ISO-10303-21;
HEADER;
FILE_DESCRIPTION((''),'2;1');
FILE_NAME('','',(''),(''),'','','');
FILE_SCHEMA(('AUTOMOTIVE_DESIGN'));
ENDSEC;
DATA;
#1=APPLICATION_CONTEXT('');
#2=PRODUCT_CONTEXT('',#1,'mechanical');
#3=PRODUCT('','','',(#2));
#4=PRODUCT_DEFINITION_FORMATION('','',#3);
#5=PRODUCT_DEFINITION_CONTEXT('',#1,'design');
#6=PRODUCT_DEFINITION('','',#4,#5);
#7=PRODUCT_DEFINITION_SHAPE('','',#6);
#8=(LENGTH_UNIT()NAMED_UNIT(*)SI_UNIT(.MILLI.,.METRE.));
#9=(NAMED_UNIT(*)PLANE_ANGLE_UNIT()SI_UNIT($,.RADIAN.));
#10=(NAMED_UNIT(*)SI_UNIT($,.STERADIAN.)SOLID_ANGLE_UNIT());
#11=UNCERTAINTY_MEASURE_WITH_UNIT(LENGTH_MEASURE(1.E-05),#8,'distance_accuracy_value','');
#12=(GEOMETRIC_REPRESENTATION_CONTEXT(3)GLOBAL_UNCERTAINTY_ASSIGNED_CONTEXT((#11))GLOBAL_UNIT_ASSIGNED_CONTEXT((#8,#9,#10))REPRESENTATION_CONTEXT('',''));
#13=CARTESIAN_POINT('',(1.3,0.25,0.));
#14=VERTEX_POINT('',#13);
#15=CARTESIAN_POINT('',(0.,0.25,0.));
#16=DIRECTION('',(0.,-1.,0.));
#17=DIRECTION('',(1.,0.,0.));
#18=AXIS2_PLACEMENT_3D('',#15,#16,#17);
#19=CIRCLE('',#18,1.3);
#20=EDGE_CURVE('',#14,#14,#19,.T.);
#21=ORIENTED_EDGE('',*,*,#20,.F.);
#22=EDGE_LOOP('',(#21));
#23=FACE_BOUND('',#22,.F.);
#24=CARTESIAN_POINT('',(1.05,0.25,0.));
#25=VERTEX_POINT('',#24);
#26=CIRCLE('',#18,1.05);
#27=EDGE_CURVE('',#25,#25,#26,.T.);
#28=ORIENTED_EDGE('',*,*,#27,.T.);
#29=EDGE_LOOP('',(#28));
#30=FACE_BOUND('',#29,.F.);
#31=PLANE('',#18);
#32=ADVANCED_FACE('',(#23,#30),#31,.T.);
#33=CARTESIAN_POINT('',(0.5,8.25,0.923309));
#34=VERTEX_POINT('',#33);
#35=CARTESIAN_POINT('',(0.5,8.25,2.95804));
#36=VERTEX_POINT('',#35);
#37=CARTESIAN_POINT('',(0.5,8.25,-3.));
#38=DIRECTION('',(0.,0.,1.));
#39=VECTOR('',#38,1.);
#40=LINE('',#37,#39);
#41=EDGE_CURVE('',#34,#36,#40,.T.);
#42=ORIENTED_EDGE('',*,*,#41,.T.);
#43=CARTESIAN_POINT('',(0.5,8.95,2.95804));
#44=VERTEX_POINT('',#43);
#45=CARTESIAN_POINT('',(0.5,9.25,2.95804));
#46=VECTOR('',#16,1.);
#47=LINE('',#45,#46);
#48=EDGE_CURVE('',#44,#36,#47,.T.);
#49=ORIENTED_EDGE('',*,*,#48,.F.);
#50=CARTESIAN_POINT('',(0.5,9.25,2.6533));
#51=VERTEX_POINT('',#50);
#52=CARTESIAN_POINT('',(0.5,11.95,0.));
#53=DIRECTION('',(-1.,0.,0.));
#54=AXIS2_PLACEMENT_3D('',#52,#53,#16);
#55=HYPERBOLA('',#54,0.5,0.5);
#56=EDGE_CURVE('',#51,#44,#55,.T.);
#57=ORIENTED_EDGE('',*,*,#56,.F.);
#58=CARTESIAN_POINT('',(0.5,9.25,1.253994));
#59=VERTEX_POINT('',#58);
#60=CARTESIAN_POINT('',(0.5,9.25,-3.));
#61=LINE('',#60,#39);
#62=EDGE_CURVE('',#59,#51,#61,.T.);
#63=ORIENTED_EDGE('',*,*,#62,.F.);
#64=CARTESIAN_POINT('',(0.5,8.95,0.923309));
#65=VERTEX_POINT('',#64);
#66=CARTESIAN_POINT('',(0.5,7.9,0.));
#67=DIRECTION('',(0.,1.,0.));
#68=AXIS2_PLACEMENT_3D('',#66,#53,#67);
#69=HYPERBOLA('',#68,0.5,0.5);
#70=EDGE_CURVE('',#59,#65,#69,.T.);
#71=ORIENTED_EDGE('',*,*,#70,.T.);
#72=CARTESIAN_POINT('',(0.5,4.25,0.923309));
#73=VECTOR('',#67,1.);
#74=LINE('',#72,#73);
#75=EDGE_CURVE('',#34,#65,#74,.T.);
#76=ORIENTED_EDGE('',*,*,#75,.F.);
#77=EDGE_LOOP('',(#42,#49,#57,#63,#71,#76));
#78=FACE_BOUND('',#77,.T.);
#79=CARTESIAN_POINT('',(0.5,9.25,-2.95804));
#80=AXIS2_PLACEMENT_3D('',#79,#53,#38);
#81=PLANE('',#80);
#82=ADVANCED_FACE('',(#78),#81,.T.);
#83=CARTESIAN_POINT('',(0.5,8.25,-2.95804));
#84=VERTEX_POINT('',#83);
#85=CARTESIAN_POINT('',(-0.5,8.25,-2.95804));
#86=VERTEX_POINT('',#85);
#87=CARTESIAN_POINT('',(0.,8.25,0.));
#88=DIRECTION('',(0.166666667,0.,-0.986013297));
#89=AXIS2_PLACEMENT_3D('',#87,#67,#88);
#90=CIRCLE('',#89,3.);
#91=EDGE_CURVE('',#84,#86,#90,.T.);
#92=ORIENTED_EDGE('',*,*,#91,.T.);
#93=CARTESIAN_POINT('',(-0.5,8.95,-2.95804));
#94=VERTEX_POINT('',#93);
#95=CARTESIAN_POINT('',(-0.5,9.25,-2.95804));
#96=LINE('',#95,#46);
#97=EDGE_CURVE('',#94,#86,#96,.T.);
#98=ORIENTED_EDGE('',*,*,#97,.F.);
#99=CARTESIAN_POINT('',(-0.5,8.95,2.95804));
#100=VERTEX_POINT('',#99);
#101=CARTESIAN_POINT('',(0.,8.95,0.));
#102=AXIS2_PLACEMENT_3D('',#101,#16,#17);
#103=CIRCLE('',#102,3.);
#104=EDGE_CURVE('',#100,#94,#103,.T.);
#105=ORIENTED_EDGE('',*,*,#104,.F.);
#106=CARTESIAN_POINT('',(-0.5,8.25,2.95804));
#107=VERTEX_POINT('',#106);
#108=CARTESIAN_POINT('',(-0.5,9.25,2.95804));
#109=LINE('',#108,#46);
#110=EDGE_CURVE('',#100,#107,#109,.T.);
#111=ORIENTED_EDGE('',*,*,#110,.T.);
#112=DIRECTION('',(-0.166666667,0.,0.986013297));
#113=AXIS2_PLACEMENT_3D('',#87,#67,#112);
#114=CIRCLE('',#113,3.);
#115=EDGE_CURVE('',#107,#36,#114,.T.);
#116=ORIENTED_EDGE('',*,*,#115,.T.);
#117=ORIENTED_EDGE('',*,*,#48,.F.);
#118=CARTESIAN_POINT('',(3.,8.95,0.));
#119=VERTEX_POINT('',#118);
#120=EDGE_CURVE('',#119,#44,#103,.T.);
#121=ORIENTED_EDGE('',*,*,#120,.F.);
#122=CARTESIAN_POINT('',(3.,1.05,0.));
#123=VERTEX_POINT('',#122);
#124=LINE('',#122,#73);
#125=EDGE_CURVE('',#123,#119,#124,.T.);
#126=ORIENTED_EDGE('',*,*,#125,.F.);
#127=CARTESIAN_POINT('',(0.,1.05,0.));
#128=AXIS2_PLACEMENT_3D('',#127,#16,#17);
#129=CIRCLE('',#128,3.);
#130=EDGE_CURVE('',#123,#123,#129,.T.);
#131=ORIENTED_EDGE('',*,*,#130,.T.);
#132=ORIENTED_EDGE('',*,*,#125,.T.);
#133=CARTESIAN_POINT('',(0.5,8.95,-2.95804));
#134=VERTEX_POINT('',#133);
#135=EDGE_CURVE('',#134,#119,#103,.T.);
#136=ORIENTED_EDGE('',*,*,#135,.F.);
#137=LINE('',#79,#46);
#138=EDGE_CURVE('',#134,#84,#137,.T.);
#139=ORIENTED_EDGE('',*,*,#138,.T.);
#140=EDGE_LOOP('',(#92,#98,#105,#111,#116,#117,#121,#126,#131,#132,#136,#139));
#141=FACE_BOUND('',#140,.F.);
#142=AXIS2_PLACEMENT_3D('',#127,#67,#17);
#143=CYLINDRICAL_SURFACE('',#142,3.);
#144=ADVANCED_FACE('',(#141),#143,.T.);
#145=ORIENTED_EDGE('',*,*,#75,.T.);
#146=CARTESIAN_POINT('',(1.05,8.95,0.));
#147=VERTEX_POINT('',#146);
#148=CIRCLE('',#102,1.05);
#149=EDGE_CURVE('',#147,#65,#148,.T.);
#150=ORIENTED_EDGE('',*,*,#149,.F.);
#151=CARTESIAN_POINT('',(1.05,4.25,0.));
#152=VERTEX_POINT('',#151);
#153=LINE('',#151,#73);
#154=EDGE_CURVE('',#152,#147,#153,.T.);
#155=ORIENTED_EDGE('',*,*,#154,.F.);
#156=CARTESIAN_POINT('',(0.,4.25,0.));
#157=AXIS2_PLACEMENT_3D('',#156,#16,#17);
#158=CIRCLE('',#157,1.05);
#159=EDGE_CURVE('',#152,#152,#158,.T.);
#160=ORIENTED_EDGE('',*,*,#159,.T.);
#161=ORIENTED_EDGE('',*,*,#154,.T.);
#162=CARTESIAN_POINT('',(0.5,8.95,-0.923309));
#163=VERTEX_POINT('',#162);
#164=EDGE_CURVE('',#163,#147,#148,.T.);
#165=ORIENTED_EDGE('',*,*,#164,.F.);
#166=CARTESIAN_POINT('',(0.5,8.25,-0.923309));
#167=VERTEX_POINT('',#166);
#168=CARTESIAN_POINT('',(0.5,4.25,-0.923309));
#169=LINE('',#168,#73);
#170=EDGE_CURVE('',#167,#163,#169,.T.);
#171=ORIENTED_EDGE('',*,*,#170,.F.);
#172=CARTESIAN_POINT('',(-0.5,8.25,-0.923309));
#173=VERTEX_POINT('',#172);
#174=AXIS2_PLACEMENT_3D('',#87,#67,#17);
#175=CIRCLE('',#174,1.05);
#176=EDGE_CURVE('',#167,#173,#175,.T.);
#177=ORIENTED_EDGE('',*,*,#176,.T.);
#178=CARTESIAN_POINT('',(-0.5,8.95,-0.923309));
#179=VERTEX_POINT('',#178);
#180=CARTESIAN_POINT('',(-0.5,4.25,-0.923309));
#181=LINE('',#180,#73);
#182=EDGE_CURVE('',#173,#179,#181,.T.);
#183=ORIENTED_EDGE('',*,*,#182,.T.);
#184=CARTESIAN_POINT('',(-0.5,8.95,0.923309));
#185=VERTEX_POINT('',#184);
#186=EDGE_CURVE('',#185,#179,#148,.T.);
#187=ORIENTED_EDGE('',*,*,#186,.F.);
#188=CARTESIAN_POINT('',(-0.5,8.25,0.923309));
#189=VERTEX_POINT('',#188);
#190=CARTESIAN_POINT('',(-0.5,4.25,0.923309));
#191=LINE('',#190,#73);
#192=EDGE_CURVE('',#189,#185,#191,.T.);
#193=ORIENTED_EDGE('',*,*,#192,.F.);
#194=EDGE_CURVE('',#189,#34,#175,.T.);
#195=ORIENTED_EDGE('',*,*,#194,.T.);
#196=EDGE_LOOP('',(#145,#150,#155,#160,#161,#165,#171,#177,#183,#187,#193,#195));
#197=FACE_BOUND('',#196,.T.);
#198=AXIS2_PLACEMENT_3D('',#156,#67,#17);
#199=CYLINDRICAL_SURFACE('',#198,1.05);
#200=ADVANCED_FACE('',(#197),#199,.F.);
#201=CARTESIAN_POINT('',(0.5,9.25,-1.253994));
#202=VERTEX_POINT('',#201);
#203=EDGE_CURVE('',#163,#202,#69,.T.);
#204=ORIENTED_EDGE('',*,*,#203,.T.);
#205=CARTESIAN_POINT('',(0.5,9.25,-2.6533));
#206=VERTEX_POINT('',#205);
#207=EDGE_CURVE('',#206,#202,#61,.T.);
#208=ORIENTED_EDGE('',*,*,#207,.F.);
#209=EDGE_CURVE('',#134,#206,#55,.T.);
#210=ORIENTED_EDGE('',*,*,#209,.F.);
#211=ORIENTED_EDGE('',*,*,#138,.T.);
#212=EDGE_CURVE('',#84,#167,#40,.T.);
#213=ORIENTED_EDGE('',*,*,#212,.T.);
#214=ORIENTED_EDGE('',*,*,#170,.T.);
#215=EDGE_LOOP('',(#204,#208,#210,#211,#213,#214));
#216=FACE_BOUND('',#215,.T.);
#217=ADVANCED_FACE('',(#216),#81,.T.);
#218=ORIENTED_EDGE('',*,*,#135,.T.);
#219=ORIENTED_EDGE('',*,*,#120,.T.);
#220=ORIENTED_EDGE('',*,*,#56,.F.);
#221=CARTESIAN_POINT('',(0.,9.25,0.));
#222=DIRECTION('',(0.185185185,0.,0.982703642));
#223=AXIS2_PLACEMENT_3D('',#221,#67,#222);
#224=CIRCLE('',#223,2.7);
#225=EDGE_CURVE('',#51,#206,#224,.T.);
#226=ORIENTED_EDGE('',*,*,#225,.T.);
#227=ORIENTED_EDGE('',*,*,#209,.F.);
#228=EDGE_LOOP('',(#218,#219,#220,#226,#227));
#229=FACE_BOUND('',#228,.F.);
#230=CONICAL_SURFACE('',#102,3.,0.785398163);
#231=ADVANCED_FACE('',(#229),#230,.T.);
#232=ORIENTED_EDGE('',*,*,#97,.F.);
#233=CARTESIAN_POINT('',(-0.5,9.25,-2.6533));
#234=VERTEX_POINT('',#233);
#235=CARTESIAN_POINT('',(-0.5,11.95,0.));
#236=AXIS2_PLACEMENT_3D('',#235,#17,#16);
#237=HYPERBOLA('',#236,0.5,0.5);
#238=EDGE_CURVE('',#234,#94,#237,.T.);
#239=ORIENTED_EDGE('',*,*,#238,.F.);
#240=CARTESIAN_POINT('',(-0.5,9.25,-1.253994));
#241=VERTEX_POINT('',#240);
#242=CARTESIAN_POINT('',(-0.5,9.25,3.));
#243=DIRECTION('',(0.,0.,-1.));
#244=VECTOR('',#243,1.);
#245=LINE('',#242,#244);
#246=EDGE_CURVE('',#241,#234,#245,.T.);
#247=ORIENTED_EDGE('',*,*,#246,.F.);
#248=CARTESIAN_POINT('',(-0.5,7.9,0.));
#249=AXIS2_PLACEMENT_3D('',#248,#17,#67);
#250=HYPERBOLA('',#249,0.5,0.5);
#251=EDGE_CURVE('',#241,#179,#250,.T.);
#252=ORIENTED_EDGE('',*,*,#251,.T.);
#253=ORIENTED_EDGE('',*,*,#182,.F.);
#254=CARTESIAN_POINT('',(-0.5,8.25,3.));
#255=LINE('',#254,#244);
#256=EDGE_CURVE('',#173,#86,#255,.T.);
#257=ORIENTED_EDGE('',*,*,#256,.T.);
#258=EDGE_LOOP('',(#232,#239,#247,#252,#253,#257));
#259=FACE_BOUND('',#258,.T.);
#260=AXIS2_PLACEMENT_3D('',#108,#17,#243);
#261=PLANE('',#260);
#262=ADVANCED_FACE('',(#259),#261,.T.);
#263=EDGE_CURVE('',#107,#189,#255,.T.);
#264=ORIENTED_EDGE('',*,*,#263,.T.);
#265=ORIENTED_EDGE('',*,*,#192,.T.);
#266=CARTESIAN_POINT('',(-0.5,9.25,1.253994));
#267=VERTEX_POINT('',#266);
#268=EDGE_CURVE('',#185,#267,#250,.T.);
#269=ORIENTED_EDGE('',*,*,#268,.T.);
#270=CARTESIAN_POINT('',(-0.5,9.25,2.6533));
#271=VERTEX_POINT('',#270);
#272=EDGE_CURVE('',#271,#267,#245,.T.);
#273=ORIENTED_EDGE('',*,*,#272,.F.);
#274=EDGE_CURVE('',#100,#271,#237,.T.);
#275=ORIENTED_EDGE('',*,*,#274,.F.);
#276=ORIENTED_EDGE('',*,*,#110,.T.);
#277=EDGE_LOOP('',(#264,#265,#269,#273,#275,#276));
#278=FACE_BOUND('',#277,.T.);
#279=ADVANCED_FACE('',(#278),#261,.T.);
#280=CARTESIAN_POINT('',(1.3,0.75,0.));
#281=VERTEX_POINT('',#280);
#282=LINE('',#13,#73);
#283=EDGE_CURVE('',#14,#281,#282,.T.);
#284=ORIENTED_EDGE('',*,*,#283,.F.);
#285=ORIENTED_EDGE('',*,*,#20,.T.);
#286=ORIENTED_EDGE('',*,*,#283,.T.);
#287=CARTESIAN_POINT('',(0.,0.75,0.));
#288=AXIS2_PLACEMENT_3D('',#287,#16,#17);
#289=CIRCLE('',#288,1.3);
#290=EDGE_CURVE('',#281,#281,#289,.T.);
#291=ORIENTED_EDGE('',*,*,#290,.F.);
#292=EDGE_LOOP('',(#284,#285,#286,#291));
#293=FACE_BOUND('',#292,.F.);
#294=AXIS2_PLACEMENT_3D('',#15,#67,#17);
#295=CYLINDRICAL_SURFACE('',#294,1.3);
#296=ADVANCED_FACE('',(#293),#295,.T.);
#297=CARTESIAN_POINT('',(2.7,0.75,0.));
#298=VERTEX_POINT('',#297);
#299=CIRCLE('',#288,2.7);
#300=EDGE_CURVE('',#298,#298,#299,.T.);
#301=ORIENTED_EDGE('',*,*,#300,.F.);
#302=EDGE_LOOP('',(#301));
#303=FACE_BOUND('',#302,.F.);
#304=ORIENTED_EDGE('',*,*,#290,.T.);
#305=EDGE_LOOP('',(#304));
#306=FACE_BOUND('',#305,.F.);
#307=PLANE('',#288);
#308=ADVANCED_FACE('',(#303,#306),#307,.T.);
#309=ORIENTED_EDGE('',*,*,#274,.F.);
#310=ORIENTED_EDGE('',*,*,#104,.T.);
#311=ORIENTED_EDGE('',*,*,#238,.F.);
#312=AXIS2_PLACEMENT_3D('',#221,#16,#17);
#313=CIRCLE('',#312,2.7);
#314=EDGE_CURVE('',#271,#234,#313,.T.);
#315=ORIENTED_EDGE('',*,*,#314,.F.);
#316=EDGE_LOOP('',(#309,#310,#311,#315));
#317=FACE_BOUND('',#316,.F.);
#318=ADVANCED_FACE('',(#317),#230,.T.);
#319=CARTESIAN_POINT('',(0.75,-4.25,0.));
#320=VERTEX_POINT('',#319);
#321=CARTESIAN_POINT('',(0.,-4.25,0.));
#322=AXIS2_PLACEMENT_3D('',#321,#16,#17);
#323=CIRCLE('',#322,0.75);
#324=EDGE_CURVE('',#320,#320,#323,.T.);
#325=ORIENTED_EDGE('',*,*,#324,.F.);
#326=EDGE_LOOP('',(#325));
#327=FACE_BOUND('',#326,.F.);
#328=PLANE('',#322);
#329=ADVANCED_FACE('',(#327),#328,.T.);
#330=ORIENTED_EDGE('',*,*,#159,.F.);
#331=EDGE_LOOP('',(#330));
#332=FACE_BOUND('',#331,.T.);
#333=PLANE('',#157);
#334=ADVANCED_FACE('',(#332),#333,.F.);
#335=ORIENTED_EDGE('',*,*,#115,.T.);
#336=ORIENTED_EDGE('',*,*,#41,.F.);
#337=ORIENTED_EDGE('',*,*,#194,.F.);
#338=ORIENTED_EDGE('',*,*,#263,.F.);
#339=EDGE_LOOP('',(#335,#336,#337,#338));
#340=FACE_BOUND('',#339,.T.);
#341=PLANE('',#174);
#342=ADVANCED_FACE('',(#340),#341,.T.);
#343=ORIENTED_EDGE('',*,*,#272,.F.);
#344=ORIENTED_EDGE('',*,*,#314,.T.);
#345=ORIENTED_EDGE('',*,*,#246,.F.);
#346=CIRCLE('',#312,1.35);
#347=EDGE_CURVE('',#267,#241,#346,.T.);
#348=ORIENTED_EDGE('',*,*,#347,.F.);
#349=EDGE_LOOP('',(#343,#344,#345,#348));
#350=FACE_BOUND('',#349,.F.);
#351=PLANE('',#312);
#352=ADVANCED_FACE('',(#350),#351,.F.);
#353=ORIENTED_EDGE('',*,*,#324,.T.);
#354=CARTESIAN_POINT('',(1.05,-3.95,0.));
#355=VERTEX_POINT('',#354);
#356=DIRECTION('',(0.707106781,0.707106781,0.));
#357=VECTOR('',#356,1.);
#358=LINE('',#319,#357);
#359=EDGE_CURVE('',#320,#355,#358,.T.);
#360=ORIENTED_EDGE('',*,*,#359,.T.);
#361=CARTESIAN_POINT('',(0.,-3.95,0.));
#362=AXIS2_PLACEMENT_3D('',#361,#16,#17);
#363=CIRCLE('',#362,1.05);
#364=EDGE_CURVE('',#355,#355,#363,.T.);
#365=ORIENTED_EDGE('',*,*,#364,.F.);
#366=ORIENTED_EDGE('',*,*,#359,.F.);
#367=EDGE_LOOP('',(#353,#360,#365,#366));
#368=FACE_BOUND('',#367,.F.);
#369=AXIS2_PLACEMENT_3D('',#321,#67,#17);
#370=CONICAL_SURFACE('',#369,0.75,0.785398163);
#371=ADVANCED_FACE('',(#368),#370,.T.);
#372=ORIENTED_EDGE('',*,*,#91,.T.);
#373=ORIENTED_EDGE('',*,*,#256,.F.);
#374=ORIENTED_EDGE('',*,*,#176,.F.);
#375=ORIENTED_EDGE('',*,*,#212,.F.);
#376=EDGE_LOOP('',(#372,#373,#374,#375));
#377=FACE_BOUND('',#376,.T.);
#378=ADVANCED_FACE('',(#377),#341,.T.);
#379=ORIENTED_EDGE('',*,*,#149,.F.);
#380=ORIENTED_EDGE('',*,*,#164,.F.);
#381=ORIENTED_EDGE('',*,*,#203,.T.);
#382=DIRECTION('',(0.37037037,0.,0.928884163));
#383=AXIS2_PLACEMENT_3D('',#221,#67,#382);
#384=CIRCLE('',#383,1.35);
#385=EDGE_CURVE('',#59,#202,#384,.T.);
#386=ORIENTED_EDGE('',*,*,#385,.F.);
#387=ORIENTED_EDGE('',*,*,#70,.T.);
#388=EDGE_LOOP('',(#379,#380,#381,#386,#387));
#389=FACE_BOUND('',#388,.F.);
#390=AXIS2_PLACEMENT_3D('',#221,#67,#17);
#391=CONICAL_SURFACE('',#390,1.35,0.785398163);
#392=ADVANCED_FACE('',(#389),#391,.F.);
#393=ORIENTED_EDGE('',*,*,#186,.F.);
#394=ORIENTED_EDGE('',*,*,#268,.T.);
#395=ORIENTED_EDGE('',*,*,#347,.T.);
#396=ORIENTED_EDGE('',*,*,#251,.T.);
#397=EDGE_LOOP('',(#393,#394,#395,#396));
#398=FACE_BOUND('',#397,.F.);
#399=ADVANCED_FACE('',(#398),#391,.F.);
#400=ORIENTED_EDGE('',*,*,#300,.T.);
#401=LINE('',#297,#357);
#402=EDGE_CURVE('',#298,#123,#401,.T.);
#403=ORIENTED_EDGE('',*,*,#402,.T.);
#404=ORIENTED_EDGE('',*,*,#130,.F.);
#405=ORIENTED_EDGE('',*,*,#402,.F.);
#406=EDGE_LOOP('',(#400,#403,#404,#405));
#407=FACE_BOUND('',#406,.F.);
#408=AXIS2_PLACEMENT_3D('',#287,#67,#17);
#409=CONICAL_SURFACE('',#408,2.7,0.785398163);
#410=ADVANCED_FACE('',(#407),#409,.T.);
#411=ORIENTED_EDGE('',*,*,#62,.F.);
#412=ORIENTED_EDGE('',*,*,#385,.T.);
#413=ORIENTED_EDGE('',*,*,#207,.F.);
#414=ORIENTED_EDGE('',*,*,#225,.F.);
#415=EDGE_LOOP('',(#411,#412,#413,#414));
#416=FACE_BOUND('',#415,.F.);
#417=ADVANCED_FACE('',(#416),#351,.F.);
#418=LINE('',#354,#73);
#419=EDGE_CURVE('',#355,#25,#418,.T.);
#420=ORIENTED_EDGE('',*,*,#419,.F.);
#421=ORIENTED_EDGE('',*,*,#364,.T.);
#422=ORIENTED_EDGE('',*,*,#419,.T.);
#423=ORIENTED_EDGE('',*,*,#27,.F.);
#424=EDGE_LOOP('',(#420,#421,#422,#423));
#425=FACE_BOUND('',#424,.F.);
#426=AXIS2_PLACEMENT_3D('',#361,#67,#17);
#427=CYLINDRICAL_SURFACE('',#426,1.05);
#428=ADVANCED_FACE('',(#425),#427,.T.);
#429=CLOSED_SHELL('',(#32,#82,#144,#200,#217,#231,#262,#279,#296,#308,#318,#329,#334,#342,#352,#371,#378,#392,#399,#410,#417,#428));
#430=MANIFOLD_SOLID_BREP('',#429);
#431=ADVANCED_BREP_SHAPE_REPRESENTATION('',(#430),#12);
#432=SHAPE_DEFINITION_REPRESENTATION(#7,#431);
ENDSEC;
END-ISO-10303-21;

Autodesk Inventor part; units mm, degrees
ref_plane "YZ Plane" through (0, 0, 0) normal (1, 0, 0) x (0, 1, 0)
ref_plane "XZ Plane" through (0, 0, 0) normal (0, 1, 0) x (-1, 0, 0)
ref_plane "XY Plane" through (0, 0, 0) normal (0, 0, 1) x (1, 0, 0)
sketch "スケッチ1" plane through (0, 0, 0) normal (0, 0, 1) x (1, 0, 0)
  line L0 (0, -4.25) -> (0.75, -4.25)
  line L1 (0.75, -4.25) -> (1.05, -3.95)
  line L2 (1.05, -3.95) -> (1.05, 0.25)
  line L3 (1.05, 0.25) -> (1.3, 0.25)
  line L4 (1.3, 0.25) -> (1.3, 0.75)
  line L5 (1.3, 0.75) -> (2.7, 0.75)
  line L6 (3, 8.95) -> (2.7, 9.25)
  line L7 (2.7, 9.25) -> (1.35, 9.25)
  line L8 (1.35, 9.25) -> (1.05, 8.95)
  line L9 (0, 7.4044) -> (0, -7.4044) construction
  line L10 (0, -4.25) -> (0, 4.25)
  line L11 (0, 4.25) -> (1.05, 4.25)
  line L12 (1.05, 4.25) -> (1.05, 8.95)
  line L13 (2.7, 0.75) -> (3, 1.05)
  line L14 (3, 1.05) -> (3, 8.95)
  point P0 (0, 0)
  point P1 (0, 0)
  point P2 (0, 0)
  dimension "d0" = 2.1
  dimension "d1" = 5
  dimension "d2" = 0.3
  dimension "d3" = 0.3
  dimension "d4" = 2.6
  dimension "d5" = 0.5
  dimension "d6" = 8.5
  dimension "d7" = 0.3
  dimension "d8" = 2.1
  dimension "d9" = 5
  dimension "d10" = 0.3
  dimension "d11" = 0.3
  dimension "d12" = 0.3
  dimension "d13" = 0.3
  dimension "d14" = 6
revolve "回転1" add sketch "スケッチ1" angle 360 about axis through (0, 7.4044, 0) along (0, -1, 0)
sketch "スケッチ2" plane through (0, 9.25, 0) normal (0, 1, 0) x (1, 0, 0)
  line L0 (-0.5, 3) -> (0.5, 3)
  line L1 (0.5, 3) -> (0.5, -3)
  line L2 (0.5, -3) -> (-0.5, -3)
  line L3 (-0.5, -3) -> (-0.5, 3)
  line L4 (-0.5, 3) -> (0.5, -3) construction
  line L5 (0.5, 3) -> (-0.5, -3) construction
  circle A0 centre (0, 0) radius 3 projected
  point P0 (0, 0)
  point P1 (0.5, 2.958)
  point P2 (-0.5, 2.958)
  point P3 (-0.5, -2.958)
  point P4 (0.5, -2.958)
  dimension "d16" = 1
extrude "押し出し1" cut sketch "スケッチ2" against normal blind 1 contours A0 L1 L3
equation "\"d3\" = d2"
equation "\"d10\" = d7"
equation "\"d11\" = d7"
equation "\"d12\" = d11"
equation "\"d13\" = d12"
properties part number "BRU-2608_5S" material "ステンレス鋼 AISI 304"
